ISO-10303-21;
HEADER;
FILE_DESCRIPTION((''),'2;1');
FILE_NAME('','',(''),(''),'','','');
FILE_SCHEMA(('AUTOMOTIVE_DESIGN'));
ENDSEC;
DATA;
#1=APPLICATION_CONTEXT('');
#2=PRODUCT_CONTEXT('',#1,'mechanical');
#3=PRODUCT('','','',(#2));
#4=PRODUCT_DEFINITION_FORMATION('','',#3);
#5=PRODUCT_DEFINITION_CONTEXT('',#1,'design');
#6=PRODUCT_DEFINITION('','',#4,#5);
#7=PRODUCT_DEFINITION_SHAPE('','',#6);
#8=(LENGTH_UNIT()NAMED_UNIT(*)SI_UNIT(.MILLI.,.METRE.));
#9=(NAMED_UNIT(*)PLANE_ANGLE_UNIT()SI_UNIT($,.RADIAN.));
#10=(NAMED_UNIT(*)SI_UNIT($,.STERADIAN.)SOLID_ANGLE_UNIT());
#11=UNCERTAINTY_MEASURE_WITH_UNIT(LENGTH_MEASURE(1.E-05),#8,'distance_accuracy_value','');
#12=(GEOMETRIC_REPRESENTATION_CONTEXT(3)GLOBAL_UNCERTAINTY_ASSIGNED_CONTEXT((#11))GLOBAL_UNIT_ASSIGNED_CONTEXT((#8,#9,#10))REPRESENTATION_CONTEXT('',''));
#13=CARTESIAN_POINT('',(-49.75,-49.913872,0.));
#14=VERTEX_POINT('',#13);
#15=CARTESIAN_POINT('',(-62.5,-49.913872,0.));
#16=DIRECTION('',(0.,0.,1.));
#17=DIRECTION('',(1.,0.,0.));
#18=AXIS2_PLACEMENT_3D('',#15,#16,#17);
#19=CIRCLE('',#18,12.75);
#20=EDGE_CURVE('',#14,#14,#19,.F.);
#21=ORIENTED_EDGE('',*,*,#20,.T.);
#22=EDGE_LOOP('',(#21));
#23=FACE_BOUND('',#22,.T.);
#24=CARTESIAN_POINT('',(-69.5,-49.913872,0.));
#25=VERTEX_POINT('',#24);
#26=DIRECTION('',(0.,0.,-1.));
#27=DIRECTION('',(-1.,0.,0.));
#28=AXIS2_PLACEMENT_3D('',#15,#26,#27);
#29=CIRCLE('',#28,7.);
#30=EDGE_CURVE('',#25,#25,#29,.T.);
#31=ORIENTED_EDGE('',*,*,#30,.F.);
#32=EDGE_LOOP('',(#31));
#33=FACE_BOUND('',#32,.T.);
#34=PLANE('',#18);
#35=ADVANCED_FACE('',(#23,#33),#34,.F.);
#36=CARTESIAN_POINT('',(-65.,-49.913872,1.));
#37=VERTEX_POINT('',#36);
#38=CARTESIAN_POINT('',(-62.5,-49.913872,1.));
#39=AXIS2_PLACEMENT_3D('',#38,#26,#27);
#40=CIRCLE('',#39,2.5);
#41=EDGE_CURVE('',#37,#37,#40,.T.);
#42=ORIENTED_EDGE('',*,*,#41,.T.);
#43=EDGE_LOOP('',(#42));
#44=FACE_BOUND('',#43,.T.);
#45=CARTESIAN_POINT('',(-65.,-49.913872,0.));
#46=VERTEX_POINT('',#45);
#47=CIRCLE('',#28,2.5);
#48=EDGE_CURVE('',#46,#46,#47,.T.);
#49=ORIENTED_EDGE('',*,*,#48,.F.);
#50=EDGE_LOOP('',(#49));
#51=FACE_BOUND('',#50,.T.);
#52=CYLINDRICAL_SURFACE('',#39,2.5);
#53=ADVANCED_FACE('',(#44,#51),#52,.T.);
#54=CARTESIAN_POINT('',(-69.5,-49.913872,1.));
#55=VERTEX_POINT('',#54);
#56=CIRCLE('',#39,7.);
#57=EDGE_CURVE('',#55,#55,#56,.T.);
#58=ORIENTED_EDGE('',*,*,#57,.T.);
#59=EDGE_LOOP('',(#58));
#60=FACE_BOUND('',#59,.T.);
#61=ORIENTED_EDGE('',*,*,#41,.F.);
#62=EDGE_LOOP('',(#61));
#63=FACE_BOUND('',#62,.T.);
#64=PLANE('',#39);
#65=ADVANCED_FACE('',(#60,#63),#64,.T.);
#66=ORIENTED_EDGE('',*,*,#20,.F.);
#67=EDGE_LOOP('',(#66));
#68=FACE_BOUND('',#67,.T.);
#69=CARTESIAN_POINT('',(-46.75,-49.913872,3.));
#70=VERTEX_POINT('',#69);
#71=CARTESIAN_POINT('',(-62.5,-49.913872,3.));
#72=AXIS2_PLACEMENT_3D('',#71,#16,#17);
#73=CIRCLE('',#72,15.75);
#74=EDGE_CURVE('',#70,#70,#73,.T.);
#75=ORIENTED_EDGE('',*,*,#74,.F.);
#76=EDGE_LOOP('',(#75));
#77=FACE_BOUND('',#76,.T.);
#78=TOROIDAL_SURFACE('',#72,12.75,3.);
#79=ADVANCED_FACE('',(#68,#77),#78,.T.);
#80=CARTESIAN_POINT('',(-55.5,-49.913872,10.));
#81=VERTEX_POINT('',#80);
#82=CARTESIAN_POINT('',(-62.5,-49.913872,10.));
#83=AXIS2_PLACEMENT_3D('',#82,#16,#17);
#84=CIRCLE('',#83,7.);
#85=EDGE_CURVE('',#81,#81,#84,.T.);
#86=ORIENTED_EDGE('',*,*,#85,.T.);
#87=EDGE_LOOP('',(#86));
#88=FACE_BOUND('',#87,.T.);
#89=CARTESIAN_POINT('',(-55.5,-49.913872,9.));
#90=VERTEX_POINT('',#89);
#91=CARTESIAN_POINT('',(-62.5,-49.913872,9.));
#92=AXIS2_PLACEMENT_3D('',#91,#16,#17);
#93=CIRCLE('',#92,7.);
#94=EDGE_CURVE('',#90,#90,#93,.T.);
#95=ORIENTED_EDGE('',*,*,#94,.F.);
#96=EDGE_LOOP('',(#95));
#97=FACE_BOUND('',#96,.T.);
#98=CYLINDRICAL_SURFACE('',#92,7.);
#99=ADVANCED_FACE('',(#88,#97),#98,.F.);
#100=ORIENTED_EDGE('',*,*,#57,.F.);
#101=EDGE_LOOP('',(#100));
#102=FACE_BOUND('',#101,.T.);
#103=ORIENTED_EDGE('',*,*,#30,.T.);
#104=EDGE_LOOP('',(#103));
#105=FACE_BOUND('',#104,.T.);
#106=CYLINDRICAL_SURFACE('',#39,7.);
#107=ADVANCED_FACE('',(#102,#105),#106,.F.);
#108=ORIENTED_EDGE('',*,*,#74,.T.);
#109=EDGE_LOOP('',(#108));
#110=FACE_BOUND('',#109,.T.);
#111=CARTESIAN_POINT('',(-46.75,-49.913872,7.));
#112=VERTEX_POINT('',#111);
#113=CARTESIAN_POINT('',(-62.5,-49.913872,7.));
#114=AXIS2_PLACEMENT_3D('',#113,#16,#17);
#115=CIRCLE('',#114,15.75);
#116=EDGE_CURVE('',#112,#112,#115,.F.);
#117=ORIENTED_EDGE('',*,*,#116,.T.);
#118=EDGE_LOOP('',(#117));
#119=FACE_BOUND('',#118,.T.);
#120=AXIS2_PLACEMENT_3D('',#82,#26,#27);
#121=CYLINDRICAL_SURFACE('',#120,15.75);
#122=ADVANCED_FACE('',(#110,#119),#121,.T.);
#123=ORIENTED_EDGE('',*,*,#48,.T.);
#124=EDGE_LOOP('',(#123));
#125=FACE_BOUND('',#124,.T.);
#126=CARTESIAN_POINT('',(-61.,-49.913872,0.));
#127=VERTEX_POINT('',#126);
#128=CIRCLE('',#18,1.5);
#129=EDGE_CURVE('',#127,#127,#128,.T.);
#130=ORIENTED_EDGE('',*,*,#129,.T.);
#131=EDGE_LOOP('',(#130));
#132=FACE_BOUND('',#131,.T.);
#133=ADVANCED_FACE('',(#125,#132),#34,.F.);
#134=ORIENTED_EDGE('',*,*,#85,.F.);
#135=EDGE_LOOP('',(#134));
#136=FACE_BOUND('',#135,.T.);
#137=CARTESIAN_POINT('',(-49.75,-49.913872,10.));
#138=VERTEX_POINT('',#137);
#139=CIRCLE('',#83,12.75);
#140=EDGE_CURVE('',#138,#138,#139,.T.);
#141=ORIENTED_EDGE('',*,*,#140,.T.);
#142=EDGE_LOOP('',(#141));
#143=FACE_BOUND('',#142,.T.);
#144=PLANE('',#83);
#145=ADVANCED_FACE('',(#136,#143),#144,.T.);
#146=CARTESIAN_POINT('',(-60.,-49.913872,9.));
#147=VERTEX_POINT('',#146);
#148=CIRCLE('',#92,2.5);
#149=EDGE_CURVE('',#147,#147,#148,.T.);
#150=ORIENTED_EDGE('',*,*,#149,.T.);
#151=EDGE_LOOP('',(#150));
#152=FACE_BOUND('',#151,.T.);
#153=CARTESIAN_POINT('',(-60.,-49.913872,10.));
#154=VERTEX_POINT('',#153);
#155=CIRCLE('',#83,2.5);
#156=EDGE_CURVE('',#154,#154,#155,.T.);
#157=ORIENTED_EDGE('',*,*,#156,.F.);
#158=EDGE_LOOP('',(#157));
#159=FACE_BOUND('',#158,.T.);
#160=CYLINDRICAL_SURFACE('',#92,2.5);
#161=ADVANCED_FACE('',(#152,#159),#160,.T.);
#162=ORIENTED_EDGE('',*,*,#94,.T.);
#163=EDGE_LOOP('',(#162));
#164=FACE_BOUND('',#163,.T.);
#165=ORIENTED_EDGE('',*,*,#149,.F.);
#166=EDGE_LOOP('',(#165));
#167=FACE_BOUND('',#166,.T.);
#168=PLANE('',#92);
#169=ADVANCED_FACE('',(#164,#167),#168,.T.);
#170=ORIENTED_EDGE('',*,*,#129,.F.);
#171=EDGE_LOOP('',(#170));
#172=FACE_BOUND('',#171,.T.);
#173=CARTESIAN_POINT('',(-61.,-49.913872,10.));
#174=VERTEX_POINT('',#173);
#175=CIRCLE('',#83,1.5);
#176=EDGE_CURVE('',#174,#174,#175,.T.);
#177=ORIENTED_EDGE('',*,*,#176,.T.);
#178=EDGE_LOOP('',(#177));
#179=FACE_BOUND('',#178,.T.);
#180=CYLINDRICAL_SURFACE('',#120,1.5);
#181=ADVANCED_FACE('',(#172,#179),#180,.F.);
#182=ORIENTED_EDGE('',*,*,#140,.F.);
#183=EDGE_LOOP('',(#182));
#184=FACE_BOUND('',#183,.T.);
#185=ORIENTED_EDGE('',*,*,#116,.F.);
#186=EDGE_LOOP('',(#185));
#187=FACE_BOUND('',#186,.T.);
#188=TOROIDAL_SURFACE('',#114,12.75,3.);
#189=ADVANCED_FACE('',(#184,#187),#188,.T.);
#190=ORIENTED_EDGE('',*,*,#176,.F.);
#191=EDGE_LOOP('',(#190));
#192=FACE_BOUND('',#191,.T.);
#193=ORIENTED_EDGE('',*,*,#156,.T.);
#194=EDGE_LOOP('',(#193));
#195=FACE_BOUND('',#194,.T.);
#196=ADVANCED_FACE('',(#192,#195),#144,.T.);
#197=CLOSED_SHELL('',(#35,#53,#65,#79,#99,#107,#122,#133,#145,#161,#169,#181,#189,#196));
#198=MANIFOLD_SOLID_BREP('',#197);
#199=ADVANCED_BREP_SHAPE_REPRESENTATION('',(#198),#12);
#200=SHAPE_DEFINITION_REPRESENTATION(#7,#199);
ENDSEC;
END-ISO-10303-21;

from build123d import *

# Parameters (mm, degrees)
SKETCH1_R           = 15.75
SKETCH1_R_2         = 1.5
BOSS_EXTRUDE1_DEPTH = 10
SKETCH2_R           = 7
SKETCH2_R_2         = 2.5
CUT_EXTRUDE1_DEPTH  = 1
CUT_EXTRUDE2_START  = -1
SKETCH3_R           = 7
SKETCH3_R_2         = 2.5
CUT_EXTRUDE2_DEPTH  = 1
FILLET1_R           = 3


with BuildPart() as part:
    # Sketch1 → Boss-Extrude1 (new body)
    with BuildSketch(Plane.XY):
        with Locations((-62.5, -49.913872362)):
            Circle(SKETCH1_R)
        with Locations((-62.5, -49.913872362)):
            Circle(SKETCH1_R_2, mode=Mode.SUBTRACT)
    extrude(amount=BOSS_EXTRUDE1_DEPTH)

    # Sketch2 → Cut-Extrude1 (cut)
    with BuildSketch(Plane.XY.offset(10)):
        with Locations((-62.5, -49.913872362)):
            Circle(SKETCH2_R)
        with Locations((-62.5, -49.913872362)):
            Circle(SKETCH2_R_2, mode=Mode.SUBTRACT)
    extrude(amount=-CUT_EXTRUDE1_DEPTH, mode=Mode.SUBTRACT)

    # Sketch3 → Cut-Extrude2 (cut)
    with BuildSketch(Plane(origin=(0, 0, 0), x_dir=(-1, 0, 0), z_dir=(0, 0, -1)).offset(CUT_EXTRUDE2_START)):
        with Locations(Location((62.5, -49.913872362, 0), (0, 0, 180))):
            Circle(SKETCH3_R)
        with Locations(Location((62.5, -49.913872362, 0), (0, 0, 180))):
            Circle(SKETCH3_R_2, mode=Mode.SUBTRACT)
    extrude(amount=CUT_EXTRUDE2_DEPTH, mode=Mode.SUBTRACT)

    # Fillet1
    fillet1_edges = [part.edges().sort_by_distance(p)[0] for p in [
        (-78.25, -49.913872362, 0),
        (-78.25, -49.913872362, 10),
    ]]
    fillet(fillet1_edges, radius=FILLET1_R)


solid = part.part
